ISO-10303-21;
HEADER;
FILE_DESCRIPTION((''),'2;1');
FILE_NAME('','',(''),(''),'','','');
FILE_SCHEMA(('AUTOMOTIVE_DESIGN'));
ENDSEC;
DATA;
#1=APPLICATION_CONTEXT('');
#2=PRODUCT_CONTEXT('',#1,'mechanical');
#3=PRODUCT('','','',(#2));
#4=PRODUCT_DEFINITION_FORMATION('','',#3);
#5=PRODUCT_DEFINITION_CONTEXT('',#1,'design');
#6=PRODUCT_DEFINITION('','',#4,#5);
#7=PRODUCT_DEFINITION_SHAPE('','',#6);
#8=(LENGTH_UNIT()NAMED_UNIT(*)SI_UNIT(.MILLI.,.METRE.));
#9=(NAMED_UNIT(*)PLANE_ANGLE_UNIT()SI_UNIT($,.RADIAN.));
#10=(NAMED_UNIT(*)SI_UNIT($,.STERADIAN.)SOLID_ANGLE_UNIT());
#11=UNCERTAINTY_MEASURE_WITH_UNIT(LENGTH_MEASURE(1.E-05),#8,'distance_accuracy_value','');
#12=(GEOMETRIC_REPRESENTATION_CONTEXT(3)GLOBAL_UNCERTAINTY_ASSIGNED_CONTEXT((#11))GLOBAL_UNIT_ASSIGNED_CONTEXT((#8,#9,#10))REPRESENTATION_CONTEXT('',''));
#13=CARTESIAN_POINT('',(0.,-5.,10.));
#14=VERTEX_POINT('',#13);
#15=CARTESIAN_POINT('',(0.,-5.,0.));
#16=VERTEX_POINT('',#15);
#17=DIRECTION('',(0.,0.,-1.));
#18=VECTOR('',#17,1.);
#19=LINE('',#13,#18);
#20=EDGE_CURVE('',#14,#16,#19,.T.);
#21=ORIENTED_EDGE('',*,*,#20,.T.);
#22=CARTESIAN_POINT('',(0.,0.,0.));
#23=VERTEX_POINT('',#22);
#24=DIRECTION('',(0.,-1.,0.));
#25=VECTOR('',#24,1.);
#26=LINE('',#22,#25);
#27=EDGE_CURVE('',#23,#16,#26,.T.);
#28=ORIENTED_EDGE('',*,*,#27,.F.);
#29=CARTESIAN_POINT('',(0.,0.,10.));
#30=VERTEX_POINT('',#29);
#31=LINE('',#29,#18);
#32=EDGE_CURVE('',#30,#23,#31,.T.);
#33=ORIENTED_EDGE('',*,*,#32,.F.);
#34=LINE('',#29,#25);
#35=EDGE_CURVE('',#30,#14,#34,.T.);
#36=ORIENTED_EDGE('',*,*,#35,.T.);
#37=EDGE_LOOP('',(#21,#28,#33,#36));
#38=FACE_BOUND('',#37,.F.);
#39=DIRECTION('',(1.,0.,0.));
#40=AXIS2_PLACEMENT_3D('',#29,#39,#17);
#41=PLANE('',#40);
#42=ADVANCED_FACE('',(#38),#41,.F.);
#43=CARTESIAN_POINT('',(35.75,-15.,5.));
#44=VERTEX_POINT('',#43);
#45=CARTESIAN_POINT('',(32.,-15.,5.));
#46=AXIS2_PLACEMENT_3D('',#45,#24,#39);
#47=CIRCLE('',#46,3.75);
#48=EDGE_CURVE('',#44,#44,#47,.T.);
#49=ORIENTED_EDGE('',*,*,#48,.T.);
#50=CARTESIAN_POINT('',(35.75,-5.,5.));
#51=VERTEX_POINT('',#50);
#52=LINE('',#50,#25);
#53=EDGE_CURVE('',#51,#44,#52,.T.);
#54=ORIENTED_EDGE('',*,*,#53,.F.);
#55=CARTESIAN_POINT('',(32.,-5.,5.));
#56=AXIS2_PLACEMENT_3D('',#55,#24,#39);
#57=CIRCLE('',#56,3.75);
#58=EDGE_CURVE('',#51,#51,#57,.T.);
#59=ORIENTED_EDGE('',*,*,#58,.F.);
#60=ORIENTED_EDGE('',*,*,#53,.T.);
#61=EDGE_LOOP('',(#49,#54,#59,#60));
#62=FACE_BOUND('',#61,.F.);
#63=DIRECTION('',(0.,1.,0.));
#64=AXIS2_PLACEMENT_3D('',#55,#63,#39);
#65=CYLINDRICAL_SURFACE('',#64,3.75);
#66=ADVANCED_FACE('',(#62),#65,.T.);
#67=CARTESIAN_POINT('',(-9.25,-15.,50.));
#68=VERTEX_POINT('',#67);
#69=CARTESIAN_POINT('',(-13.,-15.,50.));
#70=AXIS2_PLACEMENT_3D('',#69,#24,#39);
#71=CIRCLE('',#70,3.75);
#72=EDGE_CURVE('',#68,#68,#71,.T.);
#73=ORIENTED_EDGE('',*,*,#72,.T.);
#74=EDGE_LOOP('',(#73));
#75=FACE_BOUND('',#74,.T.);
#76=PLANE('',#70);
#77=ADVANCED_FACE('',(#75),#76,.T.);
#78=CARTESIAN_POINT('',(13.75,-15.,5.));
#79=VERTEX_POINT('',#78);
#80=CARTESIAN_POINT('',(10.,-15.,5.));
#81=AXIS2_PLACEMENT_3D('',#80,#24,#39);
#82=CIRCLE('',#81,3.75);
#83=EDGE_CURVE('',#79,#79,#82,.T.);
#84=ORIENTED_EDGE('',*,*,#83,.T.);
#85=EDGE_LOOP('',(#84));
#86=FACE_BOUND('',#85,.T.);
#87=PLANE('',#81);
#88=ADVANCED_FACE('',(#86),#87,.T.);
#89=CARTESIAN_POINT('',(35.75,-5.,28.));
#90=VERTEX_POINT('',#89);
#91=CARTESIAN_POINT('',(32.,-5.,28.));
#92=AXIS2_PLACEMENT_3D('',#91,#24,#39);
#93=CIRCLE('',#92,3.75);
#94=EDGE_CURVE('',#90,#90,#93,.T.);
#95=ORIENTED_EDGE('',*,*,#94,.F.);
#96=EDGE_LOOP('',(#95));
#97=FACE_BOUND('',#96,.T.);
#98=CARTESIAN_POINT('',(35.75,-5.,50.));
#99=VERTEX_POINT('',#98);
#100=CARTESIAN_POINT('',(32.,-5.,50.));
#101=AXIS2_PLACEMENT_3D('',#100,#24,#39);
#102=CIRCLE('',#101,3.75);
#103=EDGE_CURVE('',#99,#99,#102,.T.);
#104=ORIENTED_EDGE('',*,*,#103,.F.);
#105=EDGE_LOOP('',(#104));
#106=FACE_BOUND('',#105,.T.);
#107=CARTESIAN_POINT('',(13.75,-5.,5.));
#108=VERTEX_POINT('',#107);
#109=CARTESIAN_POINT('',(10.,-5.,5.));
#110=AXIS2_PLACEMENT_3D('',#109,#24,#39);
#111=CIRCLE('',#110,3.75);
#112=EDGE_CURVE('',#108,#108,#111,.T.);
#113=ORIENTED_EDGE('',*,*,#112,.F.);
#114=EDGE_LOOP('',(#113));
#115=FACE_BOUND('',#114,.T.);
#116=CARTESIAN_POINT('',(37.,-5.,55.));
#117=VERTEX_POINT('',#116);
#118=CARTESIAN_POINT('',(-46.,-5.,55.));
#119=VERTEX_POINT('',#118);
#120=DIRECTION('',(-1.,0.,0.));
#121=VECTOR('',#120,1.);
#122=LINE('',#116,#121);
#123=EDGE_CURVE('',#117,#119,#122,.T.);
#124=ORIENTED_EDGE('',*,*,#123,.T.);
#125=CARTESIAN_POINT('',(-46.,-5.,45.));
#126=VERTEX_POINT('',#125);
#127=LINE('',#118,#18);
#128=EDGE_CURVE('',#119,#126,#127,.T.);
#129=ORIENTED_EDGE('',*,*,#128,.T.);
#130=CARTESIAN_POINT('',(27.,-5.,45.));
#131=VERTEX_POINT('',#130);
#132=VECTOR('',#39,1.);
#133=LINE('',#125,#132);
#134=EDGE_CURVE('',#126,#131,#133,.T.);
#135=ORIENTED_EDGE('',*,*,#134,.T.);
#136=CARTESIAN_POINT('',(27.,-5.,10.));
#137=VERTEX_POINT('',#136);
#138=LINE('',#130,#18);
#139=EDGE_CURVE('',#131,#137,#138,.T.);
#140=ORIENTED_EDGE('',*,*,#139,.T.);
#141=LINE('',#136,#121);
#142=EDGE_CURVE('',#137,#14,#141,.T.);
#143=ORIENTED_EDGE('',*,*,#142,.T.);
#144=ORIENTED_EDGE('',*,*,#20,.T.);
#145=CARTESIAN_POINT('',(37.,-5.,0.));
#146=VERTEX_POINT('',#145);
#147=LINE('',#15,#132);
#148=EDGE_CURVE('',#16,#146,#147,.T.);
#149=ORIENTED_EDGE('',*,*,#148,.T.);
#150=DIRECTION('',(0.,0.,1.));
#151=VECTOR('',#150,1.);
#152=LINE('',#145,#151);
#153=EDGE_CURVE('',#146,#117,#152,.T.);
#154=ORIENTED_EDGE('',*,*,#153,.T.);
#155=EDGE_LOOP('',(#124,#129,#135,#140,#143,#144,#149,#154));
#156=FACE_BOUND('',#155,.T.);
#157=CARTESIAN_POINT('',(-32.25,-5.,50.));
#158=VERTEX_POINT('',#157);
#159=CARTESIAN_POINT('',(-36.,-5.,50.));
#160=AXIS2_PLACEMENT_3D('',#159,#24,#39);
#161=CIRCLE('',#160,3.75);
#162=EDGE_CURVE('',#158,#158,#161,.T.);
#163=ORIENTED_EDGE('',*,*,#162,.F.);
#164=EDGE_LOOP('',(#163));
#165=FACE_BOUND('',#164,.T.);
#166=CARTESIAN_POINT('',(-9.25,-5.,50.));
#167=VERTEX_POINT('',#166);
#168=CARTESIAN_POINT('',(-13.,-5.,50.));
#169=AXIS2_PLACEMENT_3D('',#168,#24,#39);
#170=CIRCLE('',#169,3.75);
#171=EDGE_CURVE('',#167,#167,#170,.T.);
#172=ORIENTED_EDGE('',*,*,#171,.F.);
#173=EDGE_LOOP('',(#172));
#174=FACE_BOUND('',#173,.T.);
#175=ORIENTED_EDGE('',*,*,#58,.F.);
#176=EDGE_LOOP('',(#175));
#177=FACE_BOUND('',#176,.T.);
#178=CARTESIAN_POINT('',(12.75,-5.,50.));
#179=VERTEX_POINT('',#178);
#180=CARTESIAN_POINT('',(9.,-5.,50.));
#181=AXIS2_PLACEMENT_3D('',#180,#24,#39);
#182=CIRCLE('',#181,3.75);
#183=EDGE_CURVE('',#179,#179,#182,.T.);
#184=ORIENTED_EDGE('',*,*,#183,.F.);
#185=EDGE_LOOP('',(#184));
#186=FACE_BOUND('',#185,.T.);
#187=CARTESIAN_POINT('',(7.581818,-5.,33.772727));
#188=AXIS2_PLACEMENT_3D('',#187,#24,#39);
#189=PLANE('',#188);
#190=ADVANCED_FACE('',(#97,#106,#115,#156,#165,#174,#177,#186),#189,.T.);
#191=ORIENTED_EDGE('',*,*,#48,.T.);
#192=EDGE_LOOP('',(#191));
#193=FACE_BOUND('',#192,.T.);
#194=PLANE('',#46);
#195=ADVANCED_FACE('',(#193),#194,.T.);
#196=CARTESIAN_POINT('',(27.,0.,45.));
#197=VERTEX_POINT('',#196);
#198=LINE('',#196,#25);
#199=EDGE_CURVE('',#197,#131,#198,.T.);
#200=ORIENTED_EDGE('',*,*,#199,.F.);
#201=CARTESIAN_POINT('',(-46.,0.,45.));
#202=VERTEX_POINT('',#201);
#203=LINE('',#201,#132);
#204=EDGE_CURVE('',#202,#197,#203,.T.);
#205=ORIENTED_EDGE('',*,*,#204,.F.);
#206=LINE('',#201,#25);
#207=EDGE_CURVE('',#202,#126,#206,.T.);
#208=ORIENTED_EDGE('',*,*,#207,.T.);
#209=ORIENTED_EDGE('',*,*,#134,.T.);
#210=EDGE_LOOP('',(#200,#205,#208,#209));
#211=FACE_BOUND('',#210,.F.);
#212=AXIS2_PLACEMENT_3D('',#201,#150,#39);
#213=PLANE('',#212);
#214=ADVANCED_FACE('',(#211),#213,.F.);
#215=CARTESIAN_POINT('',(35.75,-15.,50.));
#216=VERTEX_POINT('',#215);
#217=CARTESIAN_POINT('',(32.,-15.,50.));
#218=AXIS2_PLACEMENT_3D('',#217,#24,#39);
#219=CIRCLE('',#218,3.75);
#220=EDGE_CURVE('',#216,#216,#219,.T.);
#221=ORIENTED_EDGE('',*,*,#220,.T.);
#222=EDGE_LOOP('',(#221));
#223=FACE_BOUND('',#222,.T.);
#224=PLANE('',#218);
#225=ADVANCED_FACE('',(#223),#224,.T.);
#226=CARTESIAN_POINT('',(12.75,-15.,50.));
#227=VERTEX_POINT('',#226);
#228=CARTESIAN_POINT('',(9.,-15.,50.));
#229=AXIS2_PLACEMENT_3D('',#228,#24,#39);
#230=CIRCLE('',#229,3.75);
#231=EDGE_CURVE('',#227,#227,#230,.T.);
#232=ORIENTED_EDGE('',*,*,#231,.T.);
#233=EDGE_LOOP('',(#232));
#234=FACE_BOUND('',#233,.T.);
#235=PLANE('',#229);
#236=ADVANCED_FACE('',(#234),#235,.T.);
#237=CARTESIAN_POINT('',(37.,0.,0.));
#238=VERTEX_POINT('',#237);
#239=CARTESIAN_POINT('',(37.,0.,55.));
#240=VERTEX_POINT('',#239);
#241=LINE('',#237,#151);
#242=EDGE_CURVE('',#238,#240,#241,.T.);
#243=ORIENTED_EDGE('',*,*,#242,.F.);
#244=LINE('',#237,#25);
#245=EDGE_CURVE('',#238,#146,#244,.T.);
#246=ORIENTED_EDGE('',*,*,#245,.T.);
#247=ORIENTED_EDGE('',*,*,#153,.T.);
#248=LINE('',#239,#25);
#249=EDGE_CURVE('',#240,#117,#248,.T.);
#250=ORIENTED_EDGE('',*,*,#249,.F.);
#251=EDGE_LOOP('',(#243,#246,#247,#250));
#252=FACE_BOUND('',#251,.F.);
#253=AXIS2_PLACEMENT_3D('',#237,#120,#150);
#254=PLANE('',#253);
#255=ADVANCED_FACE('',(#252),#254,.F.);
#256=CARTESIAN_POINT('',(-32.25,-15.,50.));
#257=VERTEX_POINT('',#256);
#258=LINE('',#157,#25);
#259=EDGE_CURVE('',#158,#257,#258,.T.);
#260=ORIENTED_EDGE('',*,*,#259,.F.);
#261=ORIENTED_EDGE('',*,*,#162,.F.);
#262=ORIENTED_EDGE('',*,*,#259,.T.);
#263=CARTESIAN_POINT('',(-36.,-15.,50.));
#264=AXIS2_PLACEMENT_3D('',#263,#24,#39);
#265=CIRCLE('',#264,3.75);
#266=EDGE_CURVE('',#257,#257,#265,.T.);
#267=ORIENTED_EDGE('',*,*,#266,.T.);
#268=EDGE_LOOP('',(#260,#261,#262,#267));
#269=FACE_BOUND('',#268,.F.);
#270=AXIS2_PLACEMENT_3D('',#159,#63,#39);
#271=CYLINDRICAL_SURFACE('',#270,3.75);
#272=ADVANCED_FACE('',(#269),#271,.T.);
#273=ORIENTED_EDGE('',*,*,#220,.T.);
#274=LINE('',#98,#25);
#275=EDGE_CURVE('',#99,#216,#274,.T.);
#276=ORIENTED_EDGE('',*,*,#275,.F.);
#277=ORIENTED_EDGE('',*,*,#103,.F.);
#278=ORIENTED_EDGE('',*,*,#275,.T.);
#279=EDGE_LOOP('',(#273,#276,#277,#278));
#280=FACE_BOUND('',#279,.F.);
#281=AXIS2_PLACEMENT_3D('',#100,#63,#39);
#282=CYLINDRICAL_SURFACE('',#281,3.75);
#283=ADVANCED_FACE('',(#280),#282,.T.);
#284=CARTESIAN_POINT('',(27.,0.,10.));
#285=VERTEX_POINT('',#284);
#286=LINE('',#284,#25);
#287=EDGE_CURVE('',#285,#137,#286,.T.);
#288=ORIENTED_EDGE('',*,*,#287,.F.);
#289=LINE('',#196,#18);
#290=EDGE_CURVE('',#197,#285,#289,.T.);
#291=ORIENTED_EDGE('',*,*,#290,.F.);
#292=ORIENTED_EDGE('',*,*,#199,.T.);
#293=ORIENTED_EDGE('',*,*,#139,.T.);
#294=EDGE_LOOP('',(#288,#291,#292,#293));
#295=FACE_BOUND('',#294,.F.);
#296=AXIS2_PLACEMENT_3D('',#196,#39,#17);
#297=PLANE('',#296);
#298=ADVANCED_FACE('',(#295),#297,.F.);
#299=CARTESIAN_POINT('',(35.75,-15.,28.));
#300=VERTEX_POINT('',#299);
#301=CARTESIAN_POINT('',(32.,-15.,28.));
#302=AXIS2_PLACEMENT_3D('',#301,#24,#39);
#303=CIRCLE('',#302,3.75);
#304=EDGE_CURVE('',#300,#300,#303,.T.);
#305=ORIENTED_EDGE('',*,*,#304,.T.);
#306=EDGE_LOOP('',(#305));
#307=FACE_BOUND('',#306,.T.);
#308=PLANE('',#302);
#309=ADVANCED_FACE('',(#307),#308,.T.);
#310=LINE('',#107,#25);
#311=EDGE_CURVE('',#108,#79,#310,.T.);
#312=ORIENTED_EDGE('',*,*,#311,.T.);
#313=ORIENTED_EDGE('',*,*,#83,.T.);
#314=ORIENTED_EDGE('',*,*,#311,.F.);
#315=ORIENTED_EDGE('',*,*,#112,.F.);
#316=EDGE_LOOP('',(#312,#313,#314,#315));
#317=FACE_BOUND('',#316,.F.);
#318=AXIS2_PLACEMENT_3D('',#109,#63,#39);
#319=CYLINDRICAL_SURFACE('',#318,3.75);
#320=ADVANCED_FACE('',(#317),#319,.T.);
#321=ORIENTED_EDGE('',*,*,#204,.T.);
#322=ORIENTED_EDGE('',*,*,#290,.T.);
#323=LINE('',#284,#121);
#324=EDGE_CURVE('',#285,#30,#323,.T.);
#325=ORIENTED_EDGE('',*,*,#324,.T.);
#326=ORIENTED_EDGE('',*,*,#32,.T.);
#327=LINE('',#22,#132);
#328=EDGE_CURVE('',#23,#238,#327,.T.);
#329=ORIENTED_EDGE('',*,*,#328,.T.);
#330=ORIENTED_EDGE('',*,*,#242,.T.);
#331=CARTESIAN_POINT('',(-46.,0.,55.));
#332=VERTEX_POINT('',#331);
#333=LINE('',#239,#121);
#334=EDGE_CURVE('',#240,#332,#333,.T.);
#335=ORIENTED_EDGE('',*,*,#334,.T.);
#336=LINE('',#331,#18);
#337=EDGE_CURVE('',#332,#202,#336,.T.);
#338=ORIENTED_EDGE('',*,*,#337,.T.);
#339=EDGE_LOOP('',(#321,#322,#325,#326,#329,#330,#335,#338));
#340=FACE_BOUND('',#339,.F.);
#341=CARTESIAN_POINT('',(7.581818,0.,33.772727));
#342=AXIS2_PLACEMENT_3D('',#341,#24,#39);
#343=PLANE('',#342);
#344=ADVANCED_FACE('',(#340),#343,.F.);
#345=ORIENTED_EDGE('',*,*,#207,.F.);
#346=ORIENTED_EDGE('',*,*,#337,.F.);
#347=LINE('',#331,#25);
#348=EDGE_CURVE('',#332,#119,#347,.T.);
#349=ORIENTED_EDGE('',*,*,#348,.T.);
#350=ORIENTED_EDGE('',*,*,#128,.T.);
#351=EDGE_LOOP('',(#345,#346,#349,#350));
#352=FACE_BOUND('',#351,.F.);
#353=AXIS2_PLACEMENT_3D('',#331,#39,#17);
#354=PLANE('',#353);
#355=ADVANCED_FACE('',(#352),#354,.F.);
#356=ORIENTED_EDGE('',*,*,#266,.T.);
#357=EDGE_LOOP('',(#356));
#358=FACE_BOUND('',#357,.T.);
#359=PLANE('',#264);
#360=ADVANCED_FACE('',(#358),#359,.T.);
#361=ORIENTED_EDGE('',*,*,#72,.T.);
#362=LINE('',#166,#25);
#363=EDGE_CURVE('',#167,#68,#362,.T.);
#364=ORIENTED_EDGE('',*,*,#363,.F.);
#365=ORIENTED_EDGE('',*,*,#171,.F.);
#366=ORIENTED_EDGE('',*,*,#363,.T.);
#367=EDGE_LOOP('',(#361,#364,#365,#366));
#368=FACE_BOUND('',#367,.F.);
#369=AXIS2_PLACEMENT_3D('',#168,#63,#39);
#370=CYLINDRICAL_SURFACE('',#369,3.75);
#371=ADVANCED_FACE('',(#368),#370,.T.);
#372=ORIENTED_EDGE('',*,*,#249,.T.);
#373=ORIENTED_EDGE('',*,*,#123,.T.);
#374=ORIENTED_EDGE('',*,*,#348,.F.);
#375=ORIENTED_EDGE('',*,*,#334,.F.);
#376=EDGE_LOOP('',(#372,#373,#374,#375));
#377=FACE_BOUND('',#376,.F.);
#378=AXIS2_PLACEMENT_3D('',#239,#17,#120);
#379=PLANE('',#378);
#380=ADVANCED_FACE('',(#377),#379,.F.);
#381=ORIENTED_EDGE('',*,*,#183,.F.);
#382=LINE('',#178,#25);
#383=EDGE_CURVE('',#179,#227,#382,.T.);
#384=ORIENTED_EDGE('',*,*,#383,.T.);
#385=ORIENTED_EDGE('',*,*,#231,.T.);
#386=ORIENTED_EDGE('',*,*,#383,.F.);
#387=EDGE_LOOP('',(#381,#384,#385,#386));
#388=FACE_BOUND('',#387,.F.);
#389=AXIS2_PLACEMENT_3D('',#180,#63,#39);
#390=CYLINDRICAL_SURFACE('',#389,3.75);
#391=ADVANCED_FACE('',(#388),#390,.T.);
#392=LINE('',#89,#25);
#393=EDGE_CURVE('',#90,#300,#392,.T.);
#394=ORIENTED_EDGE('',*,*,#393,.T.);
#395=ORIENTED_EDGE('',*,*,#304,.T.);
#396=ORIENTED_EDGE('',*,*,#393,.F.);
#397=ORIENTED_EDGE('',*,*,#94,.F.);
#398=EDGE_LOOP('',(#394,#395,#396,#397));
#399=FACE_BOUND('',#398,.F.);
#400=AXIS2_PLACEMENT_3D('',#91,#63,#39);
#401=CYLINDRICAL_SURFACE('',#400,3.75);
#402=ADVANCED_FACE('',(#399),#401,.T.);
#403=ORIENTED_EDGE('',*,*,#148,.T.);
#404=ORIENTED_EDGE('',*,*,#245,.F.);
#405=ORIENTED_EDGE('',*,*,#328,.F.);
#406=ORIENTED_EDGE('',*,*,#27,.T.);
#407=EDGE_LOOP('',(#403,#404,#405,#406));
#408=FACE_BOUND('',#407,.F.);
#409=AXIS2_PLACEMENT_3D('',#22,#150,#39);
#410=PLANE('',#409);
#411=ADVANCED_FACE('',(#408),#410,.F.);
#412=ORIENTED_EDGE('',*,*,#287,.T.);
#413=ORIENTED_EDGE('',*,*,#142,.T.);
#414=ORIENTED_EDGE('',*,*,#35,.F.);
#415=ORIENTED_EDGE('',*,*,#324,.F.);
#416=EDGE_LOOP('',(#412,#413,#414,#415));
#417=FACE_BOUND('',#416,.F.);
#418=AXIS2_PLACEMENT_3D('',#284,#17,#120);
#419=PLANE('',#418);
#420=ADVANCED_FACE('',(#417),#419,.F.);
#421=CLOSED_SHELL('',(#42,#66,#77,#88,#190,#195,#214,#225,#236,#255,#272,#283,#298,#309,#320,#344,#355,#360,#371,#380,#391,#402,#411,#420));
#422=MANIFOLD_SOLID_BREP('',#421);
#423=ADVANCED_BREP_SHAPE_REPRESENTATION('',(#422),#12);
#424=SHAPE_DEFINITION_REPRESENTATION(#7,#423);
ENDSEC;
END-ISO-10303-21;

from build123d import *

# Parameters (mm, degrees)
F1_DEPTH = 5
F2_R     = 3.75
F3_DEPTH = 10


with BuildPart() as f1:
    # F0 (on Front) → F1 (new body)
    with BuildSketch(Plane.XZ):
        Polygon((0, 10), (0, 0), (37, 0), (37, 55), (-46, 55), (-46, 45), (27, 45), (27, 10), align=None)
    extrude(amount=F1_DEPTH)

    # F2 (on face) → F3 (join)
    with BuildSketch(Plane.XZ.offset(5)):
        with Locations((-36, 50)):
            Circle(F2_R)
        with Locations((-13, 50)):
            Circle(F2_R)
        with Locations((9, 50)):
            Circle(F2_R)
        with Locations((32, 50)):
            Circle(F2_R)
        with Locations((32, 28)):
            Circle(F2_R)
        with Locations((32, 5)):
            Circle(F2_R)
        with Locations((10, 5)):
            Circle(F2_R)
    extrude(amount=F3_DEPTH)


solid = f1.part
